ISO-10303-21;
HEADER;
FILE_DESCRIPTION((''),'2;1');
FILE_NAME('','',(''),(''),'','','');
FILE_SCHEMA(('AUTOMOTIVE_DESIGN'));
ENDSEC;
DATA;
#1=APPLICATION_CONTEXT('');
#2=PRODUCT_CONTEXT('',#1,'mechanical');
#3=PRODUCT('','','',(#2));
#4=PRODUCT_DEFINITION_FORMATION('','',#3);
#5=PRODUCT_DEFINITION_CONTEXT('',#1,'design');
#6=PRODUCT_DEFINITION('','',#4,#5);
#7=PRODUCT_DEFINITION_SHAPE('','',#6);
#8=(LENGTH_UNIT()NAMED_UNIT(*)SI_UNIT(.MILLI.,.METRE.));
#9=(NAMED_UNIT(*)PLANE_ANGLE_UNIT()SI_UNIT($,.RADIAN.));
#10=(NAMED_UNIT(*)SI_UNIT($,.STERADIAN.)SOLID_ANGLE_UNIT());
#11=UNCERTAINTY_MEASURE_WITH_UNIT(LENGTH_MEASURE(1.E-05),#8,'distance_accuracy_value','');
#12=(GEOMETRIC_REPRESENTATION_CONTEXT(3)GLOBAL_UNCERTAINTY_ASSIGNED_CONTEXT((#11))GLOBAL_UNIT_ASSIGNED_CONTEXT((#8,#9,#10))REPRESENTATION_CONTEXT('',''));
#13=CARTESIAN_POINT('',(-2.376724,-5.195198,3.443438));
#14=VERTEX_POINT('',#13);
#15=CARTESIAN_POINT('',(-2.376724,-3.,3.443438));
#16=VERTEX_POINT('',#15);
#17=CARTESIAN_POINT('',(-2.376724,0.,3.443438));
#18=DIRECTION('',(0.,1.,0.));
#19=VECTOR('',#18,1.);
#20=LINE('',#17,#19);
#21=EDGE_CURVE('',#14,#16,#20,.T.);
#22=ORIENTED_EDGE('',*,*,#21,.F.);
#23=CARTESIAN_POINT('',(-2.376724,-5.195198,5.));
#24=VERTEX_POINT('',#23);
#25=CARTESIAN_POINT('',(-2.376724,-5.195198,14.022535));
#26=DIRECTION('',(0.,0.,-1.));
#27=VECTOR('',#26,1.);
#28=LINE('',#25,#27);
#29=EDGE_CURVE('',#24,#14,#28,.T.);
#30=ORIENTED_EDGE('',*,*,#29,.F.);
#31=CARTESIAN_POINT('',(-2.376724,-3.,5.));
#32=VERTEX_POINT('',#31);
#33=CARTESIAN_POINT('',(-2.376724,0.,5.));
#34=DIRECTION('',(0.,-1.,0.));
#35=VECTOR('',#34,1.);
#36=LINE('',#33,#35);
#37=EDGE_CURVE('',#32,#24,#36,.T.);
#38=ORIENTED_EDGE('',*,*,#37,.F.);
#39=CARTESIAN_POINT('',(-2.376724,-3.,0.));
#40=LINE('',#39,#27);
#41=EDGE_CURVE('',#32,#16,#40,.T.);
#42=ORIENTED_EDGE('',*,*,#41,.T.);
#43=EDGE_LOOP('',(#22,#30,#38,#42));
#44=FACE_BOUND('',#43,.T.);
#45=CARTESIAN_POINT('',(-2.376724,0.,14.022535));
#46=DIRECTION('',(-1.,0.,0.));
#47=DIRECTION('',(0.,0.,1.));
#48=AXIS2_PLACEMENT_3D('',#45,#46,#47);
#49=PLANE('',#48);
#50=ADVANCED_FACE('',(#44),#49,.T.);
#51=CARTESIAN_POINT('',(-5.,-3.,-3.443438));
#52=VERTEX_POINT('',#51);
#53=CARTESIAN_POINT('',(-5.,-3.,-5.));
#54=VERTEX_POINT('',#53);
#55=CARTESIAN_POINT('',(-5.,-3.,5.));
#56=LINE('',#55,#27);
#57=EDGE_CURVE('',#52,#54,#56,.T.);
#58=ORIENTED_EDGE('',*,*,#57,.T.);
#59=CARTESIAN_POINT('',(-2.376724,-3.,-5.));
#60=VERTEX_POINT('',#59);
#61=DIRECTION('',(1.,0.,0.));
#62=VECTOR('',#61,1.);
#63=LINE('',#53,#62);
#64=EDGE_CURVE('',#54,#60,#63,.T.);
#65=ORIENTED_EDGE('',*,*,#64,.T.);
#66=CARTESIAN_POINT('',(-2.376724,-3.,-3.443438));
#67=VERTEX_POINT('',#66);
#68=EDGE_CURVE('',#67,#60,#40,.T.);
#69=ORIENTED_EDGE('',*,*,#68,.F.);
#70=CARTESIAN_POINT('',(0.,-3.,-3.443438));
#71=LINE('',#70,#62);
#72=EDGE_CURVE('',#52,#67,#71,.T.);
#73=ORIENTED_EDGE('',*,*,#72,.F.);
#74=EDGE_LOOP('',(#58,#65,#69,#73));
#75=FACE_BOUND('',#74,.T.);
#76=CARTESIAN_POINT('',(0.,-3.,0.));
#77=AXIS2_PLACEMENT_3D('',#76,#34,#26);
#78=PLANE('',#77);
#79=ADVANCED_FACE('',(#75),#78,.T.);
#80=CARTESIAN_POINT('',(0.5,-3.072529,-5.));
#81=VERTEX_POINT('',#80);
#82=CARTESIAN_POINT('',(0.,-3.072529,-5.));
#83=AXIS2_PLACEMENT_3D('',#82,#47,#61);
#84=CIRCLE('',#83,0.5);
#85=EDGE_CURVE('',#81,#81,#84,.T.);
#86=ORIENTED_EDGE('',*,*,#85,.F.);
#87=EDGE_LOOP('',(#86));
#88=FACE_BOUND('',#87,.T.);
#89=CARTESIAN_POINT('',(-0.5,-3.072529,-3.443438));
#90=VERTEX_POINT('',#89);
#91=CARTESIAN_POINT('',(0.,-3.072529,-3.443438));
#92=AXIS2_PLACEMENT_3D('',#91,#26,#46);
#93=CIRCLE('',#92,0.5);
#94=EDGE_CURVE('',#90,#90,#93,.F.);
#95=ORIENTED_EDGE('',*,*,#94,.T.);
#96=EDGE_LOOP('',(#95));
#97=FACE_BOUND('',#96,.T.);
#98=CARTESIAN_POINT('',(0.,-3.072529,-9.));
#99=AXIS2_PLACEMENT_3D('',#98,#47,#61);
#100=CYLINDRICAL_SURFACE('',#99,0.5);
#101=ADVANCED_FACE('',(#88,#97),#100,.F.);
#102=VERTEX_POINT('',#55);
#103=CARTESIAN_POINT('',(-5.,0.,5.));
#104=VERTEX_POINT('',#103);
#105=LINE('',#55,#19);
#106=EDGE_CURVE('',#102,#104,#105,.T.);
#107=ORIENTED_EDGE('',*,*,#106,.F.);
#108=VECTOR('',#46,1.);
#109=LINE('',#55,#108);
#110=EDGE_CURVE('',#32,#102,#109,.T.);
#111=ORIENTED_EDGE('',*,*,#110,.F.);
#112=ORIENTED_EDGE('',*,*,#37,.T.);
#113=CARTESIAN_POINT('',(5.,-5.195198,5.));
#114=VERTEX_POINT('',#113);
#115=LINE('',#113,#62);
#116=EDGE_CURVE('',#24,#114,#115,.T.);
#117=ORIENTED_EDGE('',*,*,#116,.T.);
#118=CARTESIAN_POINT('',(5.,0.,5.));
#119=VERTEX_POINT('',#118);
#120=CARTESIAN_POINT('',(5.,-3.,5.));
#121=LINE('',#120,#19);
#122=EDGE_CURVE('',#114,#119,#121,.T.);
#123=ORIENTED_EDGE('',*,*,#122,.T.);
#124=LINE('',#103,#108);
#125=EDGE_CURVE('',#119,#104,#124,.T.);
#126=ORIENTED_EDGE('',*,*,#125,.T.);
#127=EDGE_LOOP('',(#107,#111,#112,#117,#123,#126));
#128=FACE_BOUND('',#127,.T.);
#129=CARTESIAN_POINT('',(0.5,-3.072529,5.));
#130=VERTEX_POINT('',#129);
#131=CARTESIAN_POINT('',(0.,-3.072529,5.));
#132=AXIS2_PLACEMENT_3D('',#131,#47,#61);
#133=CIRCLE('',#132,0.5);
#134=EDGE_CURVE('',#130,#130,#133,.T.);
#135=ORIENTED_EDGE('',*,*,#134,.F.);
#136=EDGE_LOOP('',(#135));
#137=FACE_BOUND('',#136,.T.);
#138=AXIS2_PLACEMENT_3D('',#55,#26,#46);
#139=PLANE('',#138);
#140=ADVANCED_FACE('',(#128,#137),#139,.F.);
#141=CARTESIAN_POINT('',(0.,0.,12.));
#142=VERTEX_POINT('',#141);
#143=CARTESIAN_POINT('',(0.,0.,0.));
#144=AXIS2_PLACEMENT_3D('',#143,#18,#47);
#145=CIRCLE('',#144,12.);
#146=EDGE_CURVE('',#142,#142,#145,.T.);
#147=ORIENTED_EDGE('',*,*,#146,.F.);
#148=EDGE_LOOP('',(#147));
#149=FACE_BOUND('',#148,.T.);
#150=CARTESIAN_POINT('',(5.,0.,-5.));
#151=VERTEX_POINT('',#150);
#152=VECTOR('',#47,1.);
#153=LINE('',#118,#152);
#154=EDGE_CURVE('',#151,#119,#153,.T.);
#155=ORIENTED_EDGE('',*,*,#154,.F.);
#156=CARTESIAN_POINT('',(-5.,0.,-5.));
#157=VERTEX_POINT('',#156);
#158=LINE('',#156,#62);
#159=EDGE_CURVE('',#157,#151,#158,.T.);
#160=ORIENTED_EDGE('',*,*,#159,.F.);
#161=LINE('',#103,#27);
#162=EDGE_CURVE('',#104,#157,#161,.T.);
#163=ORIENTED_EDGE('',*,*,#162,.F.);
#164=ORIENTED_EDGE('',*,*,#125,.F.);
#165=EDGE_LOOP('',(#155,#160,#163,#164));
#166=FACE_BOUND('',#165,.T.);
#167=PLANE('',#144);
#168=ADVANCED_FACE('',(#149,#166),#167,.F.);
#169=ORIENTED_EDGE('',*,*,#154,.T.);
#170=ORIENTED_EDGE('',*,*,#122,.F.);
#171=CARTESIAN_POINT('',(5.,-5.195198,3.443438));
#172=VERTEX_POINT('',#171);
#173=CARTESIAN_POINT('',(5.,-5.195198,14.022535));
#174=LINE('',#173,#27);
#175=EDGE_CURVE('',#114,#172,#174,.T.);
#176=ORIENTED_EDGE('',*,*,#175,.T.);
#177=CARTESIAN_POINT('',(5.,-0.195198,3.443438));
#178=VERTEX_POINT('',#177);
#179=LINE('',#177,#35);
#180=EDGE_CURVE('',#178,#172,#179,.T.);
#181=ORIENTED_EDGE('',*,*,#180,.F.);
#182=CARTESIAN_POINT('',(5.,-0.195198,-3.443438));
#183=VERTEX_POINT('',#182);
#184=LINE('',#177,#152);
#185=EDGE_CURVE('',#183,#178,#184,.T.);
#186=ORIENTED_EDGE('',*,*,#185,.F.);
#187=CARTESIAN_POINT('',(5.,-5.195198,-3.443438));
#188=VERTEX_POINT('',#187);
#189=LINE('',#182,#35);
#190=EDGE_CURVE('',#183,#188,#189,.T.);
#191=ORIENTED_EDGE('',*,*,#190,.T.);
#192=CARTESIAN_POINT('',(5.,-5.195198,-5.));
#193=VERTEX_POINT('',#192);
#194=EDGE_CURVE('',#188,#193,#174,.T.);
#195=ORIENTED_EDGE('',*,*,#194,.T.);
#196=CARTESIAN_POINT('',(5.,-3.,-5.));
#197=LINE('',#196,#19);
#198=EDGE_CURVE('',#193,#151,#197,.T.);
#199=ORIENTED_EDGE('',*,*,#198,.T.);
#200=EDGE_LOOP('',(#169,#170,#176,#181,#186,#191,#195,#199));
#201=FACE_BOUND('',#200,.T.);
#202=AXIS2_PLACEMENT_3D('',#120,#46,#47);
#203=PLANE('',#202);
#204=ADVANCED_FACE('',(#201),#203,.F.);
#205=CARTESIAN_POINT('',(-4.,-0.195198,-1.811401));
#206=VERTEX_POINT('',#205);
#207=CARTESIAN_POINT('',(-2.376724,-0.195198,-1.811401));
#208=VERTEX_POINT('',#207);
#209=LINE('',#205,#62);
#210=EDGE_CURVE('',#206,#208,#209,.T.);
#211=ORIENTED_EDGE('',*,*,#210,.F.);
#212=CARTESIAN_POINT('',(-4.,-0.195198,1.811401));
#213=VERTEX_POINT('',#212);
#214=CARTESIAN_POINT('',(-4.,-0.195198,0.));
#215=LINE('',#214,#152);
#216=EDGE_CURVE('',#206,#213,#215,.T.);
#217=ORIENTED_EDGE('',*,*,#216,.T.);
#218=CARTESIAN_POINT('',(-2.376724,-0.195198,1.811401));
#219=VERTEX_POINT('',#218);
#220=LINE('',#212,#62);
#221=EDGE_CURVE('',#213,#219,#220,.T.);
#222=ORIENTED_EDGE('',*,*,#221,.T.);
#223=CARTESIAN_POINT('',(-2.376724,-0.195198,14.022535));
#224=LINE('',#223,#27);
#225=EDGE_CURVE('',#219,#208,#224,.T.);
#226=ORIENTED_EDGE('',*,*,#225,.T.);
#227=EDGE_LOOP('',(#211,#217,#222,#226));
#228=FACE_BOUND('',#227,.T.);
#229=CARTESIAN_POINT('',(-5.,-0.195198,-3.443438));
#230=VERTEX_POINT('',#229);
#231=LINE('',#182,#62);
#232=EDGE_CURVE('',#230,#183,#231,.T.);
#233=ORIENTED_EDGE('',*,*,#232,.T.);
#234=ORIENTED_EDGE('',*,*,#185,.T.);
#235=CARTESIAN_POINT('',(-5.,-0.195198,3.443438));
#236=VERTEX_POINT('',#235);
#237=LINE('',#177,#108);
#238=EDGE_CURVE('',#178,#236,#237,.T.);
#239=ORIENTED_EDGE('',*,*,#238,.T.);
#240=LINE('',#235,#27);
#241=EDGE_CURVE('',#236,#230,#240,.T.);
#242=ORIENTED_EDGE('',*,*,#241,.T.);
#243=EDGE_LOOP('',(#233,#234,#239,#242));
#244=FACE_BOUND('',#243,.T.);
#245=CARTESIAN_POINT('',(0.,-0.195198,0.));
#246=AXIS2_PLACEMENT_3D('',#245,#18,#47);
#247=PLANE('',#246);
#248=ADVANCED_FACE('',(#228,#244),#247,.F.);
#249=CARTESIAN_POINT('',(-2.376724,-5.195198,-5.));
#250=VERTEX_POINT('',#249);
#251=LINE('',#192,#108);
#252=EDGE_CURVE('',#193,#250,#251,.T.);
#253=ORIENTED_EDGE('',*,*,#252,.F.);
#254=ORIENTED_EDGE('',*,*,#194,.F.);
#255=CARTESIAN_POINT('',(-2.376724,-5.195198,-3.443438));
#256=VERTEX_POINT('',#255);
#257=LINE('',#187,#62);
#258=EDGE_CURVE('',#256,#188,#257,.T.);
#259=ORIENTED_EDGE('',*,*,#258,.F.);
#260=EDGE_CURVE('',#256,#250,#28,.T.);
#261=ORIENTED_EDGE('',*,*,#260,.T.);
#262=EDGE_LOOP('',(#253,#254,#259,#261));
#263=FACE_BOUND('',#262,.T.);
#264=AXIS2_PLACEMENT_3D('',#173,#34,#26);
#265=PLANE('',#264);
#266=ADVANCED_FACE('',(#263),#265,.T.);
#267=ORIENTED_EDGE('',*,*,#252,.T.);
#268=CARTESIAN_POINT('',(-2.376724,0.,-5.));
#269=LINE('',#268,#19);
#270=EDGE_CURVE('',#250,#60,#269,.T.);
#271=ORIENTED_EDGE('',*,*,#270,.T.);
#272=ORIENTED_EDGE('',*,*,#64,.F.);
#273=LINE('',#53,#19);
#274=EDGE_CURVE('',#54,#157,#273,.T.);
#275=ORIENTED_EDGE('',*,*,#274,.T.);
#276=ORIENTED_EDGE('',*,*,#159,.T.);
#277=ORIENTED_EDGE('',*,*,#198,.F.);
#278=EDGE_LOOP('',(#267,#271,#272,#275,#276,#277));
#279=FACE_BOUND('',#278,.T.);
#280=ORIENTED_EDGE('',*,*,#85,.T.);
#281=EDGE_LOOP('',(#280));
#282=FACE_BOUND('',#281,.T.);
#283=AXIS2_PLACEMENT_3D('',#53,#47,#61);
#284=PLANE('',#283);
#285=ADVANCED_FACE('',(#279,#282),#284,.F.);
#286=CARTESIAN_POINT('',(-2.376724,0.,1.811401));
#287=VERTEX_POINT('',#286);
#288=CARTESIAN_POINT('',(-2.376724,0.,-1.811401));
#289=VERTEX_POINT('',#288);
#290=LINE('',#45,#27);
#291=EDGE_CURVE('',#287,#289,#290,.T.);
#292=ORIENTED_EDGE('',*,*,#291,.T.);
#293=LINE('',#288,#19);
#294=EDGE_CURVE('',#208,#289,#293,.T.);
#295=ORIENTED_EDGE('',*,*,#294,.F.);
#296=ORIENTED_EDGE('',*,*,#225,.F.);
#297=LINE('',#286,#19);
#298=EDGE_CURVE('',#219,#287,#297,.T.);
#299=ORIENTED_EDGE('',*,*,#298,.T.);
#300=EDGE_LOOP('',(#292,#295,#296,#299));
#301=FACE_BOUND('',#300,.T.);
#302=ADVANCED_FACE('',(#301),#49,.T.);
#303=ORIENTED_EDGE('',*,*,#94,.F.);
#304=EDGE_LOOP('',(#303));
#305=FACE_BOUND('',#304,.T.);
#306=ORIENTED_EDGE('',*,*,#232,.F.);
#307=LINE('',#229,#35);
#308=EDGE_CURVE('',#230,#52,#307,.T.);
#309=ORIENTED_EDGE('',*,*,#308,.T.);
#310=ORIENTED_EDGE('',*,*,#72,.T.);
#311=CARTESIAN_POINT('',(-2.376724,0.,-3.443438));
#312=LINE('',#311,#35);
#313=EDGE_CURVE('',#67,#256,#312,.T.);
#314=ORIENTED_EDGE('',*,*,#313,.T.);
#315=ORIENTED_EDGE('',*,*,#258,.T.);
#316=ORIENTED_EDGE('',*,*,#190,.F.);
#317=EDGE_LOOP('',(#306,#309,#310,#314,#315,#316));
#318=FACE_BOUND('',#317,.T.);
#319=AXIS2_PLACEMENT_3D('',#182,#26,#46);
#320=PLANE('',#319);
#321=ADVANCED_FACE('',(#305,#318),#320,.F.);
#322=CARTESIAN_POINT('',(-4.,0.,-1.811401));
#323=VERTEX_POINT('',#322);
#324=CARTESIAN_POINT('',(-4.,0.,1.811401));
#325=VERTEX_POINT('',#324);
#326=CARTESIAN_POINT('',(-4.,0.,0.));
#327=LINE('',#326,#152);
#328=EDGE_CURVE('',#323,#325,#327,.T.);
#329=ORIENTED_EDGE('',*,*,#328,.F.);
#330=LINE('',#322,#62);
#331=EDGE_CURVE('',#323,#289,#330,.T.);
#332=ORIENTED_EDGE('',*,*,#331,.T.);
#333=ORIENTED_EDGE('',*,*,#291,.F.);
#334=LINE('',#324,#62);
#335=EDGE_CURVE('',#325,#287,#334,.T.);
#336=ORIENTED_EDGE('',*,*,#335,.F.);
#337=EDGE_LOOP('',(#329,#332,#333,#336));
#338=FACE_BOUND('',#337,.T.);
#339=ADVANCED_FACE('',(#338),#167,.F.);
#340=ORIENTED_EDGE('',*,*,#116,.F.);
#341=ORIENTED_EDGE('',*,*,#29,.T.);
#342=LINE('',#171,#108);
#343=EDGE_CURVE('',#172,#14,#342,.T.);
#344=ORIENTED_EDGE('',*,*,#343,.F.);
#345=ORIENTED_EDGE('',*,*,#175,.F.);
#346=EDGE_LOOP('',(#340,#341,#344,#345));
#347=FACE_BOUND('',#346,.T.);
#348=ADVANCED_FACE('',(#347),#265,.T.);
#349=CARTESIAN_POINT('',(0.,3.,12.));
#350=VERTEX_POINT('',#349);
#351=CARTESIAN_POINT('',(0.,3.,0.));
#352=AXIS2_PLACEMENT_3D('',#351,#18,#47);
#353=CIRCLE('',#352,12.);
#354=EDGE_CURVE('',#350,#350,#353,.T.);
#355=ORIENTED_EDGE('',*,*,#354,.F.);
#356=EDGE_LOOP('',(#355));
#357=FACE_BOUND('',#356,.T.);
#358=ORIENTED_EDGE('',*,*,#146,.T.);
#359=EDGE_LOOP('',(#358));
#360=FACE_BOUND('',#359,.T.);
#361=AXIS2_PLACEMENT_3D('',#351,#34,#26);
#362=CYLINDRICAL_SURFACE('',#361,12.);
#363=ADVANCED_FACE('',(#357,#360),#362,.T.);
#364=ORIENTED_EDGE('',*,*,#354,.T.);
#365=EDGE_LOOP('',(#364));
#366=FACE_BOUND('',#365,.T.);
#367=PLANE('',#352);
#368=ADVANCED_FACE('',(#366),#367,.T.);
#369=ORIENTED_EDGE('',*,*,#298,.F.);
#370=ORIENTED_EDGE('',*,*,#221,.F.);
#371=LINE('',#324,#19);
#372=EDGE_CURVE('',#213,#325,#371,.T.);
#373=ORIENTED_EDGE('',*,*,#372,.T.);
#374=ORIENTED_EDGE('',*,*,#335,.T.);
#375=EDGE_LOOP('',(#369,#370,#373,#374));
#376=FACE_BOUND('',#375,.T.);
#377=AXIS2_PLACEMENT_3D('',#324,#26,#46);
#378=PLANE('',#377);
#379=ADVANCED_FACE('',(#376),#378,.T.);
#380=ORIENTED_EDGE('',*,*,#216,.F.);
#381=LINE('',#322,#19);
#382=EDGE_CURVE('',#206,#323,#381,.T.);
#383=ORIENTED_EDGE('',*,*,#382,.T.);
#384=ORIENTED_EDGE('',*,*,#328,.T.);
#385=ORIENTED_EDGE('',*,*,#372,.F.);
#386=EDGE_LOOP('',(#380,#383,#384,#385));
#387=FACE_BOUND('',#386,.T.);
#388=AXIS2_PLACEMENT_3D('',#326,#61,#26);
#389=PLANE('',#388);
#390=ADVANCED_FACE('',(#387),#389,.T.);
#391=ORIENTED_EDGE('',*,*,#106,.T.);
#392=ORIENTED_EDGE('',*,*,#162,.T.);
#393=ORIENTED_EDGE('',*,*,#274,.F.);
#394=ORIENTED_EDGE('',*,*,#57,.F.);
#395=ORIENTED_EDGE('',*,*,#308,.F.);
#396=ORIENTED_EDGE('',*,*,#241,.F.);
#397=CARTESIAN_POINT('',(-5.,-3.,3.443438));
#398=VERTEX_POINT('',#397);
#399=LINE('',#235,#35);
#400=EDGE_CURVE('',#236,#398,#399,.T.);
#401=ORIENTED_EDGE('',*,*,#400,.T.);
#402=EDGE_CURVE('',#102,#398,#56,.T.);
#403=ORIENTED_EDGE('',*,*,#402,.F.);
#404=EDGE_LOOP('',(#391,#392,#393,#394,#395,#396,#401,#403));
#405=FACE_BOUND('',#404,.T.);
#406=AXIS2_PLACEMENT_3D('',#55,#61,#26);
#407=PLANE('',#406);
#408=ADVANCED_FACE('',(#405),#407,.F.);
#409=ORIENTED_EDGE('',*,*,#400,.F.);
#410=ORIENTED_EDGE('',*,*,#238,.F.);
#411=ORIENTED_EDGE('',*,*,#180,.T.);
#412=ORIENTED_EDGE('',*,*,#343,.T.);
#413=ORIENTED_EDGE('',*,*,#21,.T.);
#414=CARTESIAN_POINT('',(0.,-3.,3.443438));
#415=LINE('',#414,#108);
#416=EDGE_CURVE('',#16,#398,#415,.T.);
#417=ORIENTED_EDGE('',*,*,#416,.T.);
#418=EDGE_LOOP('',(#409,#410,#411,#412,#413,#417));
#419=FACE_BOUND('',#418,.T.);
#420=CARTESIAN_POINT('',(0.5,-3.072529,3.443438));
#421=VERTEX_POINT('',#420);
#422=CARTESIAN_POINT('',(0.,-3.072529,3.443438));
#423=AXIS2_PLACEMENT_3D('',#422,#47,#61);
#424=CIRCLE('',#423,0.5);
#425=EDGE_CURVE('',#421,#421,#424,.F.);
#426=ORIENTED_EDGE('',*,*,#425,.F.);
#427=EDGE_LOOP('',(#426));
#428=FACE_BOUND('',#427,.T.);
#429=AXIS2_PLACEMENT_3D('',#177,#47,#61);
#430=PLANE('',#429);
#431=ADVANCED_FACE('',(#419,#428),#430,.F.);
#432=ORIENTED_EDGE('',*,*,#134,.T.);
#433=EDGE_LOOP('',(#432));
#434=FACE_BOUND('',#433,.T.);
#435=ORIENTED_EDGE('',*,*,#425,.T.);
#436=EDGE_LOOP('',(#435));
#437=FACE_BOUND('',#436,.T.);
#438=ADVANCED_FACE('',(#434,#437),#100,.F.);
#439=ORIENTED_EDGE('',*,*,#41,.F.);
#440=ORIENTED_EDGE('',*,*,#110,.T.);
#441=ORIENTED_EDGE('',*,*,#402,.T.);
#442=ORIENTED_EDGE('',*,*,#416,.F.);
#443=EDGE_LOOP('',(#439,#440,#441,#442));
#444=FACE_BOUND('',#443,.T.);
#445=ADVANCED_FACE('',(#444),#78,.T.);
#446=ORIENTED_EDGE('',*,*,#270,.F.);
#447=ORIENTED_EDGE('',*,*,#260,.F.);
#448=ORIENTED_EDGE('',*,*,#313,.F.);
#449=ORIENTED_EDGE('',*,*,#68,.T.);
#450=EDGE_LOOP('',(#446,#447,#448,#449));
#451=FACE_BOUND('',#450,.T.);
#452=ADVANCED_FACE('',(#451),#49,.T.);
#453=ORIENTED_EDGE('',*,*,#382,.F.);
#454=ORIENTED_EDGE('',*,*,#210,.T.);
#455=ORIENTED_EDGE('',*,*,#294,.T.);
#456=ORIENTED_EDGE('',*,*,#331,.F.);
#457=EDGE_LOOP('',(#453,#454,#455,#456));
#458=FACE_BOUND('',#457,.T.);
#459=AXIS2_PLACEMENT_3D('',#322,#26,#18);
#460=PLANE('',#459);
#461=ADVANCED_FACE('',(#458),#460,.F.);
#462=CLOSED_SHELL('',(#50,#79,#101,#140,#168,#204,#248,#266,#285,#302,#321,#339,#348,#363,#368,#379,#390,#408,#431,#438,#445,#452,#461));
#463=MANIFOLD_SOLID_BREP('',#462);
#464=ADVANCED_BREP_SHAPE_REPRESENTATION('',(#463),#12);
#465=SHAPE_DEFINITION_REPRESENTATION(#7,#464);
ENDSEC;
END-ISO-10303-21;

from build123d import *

# Parameters (mm, degrees)
SKETCH1_R           = 12
BOSS_EXTRUDE1_DEPTH = 3
SKETCH3_W           = 10
SKETCH3_H           = 10
BOSS_EXTRUDE3_DEPTH = 3
SKETCH4_R           = 0.5
CUT_EXTRUDE1_DEPTH  = 9
SKETCH5_W           = 3.622801716
SKETCH5_H           = 3
CUT_EXTRUDE2_DEPTH  = 9
BOSS_EXTRUDE5_REACH = 23.024
SKETCH6_W           = 7.376723675
SKETCH6_H           = 5.195198294
SKETCH7_R           = 0.5
CUT_EXTRUDE3_DEPTH  = 14
SKETCH8_W           = 3.773751788
SKETCH8_H           = 4.487553498
CUT_EXTRUDE4_DEPTH  = 22.447379451
SKETCH9_W           = 10
SKETCH9_H           = 6.886875894
CUT_EXTRUDE5_DEPTH  = 5


with BuildPart() as part:
    # Sketch1 → Boss-Extrude1 (new body)
    with BuildSketch(Plane(origin=(0, 0, 0), x_dir=(1, 0, 0), z_dir=(0, 1, 0))):
        with Locations(Location((0, 0, 0), (0, 0, 270))):
            Circle(SKETCH1_R)
    extrude(amount=BOSS_EXTRUDE1_DEPTH)

    # Sketch3 → Boss-Extrude3 (add)
    with BuildSketch(Plane.XZ):
        Rectangle(SKETCH3_W, SKETCH3_H)
    extrude(amount=BOSS_EXTRUDE3_DEPTH)

    # Sketch4 → Cut-Extrude1 (cut)
    with BuildSketch(Plane(origin=(0, 0, -5), x_dir=(-1, 0, 0), z_dir=(0, 0, -1))):
        with Locations((0, -1.5)):
            Circle(SKETCH4_R)
    extrude(amount=-CUT_EXTRUDE1_DEPTH, mode=Mode.SUBTRACT)

    # Sketch5 → Cut-Extrude2 (cut)
    with BuildSketch(Plane(origin=(5, 0, 0), x_dir=(0, 0, -1), z_dir=(1, 0, 0))):
        with Locations((0, -1.5)):
            Rectangle(SKETCH5_W, SKETCH5_H)
    extrude(amount=-CUT_EXTRUDE2_DEPTH, mode=Mode.SUBTRACT)

    # Boss-Extrude5: up to this face of the body (flat: up to its plane)
    boss_extrude5_end = Plane(part.part.faces().sort_by_distance((0, -1.5, 5))[0])
    # Sketch6 → Boss-Extrude5 (add, up to the picked face)
    with BuildSketch(Plane(origin=(0, 0, -5), x_dir=(-1, 0, 0), z_dir=(0, 0, -1)), mode=Mode.PRIVATE) as boss_extrude5_sk1:
        with Locations((-1.311638162, -2.597599147)):
            Rectangle(SKETCH6_W, SKETCH6_H)
    boss_extrude5_tool1 = split(extrude(boss_extrude5_sk1.sketch, amount=-BOSS_EXTRUDE5_REACH, mode=Mode.PRIVATE), bisect_by=boss_extrude5_end, keep=Keep.BOTH, mode=Mode.PRIVATE)
    add(boss_extrude5_tool1.solids().sort_by(Axis((1.311638, -2.597599, -5), (0, 0, 1)))[0])

    # Sketch7 → Cut-Extrude3 (cut)
    with BuildSketch(Plane.XY.offset(5)):
        with Locations((0, -3.072529249)):
            Circle(SKETCH7_R)
    extrude(amount=-CUT_EXTRUDE3_DEPTH, mode=Mode.SUBTRACT)

    # Sketch8 → Cut-Extrude4 (cut, through all)
    with BuildSketch(Plane.ZY.offset(5)):
        with Locations((0, -2.951421545)):
            Rectangle(SKETCH8_W, SKETCH8_H)
    extrude(amount=-CUT_EXTRUDE4_DEPTH, mode=Mode.SUBTRACT)

    # Sketch9 → Cut-Extrude5 (cut)
    with BuildSketch(Plane.XZ.offset(5.195198294)):
        Rectangle(SKETCH9_W, SKETCH9_H)
    extrude(amount=-CUT_EXTRUDE5_DEPTH, mode=Mode.SUBTRACT)


solid = part.part
